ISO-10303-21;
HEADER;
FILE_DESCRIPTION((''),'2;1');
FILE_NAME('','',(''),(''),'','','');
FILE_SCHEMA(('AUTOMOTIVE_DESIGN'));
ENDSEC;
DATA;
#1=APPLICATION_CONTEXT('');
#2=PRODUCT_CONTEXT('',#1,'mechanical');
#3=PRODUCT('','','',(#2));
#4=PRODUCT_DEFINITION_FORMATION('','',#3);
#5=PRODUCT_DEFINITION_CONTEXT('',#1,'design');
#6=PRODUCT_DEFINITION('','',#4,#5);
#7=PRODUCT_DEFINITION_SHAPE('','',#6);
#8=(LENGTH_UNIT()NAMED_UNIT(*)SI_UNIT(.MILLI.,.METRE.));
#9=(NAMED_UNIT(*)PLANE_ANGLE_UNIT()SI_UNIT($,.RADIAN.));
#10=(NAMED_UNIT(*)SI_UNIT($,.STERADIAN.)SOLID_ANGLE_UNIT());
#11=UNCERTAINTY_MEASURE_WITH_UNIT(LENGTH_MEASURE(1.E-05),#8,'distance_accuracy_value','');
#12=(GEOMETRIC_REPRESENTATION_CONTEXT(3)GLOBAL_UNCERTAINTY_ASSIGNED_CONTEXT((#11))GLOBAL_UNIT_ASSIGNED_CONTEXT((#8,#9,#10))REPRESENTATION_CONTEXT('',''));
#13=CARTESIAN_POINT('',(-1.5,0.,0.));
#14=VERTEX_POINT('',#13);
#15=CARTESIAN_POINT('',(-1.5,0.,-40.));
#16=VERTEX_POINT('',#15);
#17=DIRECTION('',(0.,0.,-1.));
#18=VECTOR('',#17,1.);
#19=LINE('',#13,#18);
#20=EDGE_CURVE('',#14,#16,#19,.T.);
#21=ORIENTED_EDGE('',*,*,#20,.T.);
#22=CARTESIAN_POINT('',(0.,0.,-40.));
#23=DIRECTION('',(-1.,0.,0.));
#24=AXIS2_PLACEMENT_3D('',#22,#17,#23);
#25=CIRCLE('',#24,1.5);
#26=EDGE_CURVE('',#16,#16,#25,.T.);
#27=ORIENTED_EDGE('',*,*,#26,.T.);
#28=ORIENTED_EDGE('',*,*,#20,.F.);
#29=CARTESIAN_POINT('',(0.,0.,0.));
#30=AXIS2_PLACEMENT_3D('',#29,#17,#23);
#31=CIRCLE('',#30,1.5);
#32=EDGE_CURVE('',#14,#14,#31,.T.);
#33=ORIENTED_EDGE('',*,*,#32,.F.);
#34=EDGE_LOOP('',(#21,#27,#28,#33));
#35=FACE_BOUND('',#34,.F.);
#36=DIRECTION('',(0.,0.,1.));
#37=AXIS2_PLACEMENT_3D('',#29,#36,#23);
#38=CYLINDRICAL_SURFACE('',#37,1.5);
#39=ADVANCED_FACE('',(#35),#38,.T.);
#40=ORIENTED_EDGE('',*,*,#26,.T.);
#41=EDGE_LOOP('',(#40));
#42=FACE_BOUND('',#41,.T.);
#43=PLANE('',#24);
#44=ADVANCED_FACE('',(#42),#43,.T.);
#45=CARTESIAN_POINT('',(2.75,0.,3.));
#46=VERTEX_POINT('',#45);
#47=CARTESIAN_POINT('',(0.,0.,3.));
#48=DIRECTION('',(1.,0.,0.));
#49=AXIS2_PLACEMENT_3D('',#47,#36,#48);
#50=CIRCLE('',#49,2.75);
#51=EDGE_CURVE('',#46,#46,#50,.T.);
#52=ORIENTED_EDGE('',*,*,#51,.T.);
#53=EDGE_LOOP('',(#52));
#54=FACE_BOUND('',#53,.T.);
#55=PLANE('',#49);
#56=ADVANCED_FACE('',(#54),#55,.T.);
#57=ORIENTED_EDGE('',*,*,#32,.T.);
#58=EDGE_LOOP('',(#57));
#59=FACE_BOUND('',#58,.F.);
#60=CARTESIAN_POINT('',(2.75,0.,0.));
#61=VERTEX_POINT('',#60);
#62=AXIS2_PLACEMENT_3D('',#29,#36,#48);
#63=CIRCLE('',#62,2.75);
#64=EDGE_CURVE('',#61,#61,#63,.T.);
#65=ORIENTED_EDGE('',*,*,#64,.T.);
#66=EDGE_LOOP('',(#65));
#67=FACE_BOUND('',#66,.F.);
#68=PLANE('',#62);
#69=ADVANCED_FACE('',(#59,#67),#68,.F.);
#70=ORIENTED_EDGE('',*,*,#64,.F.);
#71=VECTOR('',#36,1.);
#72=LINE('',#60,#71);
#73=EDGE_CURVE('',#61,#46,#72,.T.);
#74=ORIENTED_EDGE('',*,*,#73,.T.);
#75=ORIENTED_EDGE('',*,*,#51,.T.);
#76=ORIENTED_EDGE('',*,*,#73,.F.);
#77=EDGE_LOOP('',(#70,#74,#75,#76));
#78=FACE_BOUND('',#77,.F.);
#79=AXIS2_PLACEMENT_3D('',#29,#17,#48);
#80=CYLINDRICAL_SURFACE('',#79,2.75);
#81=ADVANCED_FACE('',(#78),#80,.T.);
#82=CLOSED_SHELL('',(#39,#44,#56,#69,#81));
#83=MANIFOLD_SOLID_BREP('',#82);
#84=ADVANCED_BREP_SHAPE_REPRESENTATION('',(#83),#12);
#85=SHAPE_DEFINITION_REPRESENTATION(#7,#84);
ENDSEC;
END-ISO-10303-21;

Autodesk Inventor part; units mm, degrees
ref_plane "YZ Plane" through (0, 0, 0) normal (1, 0, 0) x (0, 1, 0)
ref_plane "XZ Plane" through (0, 0, 0) normal (0, 1, 0) x (-1, 0, 0)
ref_plane "XY Plane" through (0, 0, 0) normal (0, 0, 1) x (1, 0, 0)
sketch "スケッチ1" plane through (0, 0, 0) normal (0, 0, 1) x (1, 0, 0)
  circle A0 centre (0, 0) radius 2.75
  dimension "d0" = 5.5
extrude "押し出し1" add sketch "スケッチ1" along normal blind 3
sketch "スケッチ2" plane through (0, 0, 0) normal (0, 0, -1) x (-1, 0, 0)
  circle A0 centre (0, 0) radius 1.5
  dimension "d3" = 3
extrude "押し出し2" add sketch "スケッチ2" along normal blind 40
thread "ねじ1" size "M3x0.5" class "6g" standard "ANSI Metric M Profile" length 18
properties part number "ネジキャップm3,40" material "鋼、高強度、低合金"
